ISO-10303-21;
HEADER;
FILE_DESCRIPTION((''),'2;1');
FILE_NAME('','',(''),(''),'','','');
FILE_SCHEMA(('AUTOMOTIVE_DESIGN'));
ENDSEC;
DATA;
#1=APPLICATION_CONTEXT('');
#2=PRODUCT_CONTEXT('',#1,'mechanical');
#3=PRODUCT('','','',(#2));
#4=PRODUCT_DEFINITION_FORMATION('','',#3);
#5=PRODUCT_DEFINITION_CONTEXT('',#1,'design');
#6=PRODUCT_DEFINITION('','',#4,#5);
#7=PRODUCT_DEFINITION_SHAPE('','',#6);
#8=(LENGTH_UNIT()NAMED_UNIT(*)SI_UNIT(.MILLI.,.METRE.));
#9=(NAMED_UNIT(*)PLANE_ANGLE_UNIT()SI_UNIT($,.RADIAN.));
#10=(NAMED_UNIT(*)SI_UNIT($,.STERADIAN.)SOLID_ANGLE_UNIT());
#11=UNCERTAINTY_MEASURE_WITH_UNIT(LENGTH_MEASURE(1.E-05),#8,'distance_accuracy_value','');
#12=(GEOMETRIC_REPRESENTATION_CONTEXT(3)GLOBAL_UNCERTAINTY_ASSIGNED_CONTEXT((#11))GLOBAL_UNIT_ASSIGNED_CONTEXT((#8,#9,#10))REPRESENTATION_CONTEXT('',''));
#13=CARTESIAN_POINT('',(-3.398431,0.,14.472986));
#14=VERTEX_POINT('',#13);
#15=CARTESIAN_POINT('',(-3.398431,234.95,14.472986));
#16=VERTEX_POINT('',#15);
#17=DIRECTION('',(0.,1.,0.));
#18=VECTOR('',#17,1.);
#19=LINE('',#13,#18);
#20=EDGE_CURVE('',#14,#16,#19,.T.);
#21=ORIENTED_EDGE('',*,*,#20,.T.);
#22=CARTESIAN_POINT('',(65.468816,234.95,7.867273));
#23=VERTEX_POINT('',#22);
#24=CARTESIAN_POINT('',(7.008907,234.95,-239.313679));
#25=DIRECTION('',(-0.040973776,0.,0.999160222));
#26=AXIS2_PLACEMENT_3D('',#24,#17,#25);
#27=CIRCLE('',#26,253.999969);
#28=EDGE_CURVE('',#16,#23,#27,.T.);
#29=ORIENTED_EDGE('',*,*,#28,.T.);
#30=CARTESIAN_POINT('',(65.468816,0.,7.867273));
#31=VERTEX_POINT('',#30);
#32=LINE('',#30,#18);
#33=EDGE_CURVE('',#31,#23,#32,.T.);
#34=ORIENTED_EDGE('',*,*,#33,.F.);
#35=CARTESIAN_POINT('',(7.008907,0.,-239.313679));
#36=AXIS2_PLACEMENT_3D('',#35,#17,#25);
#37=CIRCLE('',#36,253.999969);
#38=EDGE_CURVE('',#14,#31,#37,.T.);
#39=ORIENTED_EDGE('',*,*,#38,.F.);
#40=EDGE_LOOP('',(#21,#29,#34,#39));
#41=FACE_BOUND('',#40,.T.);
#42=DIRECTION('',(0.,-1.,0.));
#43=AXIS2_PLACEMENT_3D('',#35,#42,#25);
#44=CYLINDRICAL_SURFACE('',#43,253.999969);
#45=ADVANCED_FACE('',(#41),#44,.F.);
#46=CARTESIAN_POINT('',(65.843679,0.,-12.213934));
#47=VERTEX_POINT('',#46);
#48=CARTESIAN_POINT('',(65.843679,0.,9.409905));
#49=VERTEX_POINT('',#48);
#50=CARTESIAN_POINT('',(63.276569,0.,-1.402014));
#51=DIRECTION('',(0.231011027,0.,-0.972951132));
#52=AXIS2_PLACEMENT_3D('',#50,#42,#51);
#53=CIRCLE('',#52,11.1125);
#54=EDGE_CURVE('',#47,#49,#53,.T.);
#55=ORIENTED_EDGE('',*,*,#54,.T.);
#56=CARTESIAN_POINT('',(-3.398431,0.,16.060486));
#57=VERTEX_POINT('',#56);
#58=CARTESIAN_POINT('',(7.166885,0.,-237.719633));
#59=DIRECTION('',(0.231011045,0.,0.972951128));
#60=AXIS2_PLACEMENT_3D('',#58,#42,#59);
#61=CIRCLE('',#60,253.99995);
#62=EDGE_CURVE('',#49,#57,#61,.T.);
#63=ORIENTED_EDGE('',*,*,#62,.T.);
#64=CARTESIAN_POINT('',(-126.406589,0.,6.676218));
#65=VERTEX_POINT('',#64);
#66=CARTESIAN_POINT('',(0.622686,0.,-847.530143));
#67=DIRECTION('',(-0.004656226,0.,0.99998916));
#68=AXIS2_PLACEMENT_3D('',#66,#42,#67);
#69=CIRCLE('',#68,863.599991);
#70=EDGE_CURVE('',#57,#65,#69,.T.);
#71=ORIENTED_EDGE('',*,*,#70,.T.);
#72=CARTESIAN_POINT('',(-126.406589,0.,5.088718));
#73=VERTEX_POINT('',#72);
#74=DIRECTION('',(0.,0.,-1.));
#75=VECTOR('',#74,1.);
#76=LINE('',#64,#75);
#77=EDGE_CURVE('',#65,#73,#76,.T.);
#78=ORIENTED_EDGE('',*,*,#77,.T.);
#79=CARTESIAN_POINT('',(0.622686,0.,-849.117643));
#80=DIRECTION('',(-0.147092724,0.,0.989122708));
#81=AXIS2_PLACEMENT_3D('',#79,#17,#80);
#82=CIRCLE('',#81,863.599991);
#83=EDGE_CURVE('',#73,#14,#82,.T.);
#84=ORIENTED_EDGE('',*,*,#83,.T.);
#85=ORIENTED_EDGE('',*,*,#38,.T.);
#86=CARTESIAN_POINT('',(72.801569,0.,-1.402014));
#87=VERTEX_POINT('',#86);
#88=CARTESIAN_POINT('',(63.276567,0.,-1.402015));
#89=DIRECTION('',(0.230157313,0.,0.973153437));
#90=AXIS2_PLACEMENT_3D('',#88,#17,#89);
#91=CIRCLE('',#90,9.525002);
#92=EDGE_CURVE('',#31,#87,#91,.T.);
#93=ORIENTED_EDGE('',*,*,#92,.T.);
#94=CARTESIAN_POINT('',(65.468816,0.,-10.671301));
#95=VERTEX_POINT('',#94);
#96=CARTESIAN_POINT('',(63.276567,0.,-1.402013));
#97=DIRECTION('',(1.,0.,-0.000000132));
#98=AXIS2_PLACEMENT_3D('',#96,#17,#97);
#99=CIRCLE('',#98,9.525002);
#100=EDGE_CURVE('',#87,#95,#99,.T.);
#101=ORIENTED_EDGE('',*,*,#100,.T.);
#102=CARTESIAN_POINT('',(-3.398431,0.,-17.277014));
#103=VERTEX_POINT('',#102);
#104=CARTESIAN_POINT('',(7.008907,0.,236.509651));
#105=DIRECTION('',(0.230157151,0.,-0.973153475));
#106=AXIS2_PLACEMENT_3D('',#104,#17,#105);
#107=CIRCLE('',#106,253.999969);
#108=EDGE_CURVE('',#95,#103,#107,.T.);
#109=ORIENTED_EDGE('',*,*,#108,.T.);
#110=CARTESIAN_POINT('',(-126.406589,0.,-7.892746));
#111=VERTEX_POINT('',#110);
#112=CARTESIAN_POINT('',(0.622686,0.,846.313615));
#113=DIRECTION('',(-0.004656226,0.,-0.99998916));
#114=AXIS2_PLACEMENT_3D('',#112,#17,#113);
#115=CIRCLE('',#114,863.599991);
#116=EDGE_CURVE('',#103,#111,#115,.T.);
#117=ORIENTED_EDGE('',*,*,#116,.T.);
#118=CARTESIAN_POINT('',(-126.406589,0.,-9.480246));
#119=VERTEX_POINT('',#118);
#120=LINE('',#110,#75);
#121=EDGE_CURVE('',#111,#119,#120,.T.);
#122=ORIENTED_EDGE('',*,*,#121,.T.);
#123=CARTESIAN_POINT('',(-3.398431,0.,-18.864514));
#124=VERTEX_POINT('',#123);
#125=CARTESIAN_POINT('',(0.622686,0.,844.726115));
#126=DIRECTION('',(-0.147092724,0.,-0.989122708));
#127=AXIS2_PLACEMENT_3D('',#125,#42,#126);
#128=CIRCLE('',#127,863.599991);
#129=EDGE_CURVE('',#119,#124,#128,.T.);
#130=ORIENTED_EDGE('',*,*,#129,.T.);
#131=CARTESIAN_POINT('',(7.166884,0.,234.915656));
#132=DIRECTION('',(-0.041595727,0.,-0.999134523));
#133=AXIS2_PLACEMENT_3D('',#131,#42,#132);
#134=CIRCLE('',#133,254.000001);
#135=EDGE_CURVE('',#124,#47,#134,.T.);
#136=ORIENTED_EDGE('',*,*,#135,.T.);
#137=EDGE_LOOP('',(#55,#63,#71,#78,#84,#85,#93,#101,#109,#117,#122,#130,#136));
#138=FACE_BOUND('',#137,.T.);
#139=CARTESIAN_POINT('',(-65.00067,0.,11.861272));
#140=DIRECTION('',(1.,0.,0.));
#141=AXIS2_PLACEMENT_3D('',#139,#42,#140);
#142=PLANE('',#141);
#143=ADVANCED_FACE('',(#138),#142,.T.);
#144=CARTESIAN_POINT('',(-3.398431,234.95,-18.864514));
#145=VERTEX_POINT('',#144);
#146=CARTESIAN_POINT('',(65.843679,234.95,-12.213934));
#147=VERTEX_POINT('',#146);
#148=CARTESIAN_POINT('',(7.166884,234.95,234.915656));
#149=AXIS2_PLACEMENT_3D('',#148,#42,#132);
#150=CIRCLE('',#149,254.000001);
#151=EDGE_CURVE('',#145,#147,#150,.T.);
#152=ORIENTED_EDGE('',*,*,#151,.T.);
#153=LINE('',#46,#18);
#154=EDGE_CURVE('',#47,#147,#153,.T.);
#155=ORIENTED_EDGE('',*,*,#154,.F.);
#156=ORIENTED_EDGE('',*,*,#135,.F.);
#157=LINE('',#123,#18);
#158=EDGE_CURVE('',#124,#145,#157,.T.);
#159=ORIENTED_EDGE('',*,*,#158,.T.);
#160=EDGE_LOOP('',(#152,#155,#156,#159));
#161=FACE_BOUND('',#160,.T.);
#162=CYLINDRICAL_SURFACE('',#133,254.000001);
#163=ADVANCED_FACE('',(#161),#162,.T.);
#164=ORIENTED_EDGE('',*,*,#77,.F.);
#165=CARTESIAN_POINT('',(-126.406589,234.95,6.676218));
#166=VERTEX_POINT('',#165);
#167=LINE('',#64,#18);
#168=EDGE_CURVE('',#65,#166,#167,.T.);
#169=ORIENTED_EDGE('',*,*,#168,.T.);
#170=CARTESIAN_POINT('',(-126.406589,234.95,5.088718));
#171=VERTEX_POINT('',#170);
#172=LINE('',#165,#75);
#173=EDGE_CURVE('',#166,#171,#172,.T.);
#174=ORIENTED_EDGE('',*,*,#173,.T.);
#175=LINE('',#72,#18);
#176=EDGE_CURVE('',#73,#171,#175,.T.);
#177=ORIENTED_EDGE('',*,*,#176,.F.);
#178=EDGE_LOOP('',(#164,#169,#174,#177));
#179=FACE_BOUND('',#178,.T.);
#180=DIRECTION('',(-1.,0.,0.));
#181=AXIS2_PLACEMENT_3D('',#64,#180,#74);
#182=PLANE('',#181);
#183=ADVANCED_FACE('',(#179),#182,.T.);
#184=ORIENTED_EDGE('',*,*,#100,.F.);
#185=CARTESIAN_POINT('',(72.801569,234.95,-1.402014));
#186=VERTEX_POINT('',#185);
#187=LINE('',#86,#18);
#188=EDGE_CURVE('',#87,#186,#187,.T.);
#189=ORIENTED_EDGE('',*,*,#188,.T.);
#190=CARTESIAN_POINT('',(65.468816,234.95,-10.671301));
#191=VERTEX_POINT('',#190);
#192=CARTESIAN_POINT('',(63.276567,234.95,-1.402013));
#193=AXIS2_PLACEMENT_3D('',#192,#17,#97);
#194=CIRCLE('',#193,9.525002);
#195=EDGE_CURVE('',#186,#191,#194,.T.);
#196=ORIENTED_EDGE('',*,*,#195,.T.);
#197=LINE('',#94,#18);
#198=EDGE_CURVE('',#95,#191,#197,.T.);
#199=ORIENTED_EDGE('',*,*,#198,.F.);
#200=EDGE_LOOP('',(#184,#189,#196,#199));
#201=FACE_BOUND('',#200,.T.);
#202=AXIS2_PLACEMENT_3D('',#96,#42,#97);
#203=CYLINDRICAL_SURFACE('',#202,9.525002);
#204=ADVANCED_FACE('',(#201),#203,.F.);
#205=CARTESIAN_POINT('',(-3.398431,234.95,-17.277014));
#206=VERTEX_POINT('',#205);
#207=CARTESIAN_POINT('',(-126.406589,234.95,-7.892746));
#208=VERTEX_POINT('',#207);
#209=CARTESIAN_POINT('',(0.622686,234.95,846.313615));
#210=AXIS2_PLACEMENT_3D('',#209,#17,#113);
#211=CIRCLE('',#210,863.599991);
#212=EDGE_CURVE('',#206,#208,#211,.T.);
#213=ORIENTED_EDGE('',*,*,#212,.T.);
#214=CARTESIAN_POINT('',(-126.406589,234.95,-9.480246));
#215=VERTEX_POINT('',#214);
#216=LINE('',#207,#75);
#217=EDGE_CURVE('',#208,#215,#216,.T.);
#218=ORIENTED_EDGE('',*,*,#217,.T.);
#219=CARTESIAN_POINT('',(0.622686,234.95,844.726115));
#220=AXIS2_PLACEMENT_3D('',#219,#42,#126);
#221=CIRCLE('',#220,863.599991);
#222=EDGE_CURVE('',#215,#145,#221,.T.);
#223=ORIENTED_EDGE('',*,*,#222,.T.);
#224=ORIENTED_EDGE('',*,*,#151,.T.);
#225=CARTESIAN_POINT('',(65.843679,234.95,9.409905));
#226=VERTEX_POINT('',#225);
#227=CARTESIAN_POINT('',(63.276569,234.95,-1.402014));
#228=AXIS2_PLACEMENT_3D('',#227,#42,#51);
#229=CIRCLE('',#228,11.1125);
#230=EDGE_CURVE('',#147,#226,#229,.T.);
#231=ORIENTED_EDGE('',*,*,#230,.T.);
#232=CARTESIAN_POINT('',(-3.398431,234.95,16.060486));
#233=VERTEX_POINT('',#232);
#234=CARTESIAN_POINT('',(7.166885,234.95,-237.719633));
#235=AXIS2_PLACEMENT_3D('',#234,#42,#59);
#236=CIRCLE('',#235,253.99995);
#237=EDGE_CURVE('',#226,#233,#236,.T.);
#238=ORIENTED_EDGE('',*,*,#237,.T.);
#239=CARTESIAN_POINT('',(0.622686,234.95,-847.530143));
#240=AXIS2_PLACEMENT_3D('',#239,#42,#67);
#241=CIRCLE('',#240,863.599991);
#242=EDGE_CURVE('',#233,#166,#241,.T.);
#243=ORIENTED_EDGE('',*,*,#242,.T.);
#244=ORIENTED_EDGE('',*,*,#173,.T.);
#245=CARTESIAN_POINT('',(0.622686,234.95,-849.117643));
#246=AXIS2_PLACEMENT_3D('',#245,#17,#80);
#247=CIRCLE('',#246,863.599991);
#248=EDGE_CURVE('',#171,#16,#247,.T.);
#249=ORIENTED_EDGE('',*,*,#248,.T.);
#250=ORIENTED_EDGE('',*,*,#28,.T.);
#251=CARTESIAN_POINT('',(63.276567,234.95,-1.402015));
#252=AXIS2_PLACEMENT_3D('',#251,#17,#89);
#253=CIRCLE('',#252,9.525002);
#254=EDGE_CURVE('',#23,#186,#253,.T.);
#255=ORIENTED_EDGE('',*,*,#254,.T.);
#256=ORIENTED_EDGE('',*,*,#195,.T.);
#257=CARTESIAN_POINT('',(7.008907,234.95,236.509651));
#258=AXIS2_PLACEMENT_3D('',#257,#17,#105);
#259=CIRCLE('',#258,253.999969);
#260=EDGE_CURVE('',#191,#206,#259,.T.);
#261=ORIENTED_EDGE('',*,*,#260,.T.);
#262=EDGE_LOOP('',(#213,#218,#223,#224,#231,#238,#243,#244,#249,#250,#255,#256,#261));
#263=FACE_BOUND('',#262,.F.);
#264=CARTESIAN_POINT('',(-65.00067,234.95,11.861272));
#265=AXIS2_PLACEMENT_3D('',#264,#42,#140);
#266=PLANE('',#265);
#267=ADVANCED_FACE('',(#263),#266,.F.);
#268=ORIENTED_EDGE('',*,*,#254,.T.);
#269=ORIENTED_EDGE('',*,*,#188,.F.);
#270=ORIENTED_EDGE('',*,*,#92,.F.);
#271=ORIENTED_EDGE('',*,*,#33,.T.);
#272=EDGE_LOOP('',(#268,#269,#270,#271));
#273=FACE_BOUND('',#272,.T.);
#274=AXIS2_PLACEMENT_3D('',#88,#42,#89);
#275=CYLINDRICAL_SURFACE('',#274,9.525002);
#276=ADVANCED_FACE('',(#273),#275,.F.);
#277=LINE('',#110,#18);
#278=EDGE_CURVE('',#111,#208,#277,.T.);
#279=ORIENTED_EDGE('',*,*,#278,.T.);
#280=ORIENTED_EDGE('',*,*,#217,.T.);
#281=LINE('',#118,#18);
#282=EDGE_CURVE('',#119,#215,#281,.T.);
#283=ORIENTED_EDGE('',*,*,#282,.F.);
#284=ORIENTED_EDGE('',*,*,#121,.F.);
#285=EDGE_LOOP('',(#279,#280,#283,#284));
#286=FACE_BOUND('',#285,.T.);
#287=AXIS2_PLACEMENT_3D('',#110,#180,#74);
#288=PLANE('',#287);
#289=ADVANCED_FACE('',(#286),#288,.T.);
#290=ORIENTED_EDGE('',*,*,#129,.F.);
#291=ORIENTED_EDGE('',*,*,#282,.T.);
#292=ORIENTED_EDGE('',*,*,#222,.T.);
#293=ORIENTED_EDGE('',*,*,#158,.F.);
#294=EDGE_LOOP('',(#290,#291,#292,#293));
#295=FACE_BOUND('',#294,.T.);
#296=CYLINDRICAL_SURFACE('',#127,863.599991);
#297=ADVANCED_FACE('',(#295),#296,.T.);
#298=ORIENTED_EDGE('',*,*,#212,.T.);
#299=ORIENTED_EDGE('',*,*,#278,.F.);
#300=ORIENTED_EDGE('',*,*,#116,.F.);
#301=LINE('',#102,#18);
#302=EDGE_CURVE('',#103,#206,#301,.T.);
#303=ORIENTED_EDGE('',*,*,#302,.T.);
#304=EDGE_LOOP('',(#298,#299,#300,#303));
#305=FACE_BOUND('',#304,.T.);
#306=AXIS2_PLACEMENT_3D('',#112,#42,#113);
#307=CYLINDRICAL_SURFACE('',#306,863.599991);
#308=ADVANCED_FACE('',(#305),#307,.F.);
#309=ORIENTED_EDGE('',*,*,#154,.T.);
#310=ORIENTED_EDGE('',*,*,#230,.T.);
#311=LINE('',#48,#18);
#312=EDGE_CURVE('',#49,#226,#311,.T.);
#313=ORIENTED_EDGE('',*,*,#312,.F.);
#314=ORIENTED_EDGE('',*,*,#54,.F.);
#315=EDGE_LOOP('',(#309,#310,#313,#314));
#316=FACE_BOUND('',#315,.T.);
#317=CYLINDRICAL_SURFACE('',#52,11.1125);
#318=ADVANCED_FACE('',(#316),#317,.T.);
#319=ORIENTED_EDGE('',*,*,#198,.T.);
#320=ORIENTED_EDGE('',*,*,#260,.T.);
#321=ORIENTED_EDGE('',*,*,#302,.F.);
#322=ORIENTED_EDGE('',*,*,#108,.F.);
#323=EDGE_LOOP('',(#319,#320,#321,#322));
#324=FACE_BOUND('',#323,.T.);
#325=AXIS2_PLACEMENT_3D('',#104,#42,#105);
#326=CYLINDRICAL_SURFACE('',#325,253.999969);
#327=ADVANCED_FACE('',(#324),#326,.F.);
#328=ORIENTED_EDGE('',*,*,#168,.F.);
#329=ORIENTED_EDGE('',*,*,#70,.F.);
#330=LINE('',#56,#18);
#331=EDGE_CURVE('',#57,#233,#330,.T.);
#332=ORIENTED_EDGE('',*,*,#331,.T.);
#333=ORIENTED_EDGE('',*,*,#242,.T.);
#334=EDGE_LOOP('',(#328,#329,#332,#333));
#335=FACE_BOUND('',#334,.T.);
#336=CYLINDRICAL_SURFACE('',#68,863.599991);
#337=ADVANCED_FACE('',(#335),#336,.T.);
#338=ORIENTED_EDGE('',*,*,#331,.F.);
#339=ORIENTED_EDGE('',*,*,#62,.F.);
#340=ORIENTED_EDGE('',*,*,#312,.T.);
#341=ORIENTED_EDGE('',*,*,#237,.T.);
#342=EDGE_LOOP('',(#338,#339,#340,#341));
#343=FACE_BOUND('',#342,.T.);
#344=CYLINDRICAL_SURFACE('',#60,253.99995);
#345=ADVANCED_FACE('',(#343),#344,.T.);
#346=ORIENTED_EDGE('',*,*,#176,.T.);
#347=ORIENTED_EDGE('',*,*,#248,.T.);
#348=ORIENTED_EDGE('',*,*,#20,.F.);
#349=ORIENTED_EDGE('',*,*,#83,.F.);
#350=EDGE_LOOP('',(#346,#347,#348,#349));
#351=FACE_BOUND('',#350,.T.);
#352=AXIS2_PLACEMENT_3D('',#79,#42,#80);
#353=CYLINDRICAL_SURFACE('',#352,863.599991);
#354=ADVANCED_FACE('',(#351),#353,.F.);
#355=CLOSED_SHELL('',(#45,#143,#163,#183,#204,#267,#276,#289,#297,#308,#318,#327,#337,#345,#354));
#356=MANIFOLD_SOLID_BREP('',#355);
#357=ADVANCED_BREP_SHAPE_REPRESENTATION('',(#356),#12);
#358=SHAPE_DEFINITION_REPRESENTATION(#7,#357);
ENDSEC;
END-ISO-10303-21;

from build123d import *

# Parameters (mm, degrees)
F1_DEPTH = 234.95


with BuildPart() as f1:
    # F0 (on Front) → F1 (new body)
    with BuildSketch(Plane.XZ):
        with BuildLine():
            Line((-126.406589, 6.676218), (-126.406589, 5.088718))
            ThreePointArc((-126.406589, 5.088718), (-65.070293, 11.980131), (-3.398431, 14.472986))
            Line((-3.398431, 14.472986), (-3.398431, 16.060486))
            ThreePointArc((-3.398431, 16.060486), (-65.070293, 13.567631), (-126.406589, 6.676218))
        make_face()
        with BuildLine():
            Line((-3.398431, -18.864514), (-3.398431, -17.277014))
            ThreePointArc((-3.398431, -17.277014), (-65.070293, -14.784159), (-126.406589, -7.892746))
            Line((-126.406589, -7.892746), (-126.406589, -9.480246))
            ThreePointArc((-126.406589, -9.480246), (-65.070293, -16.371659), (-3.398431, -18.864514))
        make_face()
        with BuildLine():
            Line((-3.398431, 16.060486), (-3.398431, 14.472986))
            ThreePointArc((-3.398431, 14.472986), (31.261149, 13.525821), (65.468816, 7.867273))
            ThreePointArc((65.468816, 7.867273), (70.746735, 4.50749), (72.801569, -1.402014))
            ThreePointArc((72.801569, -1.402014), (70.746735, -7.311518), (65.468816, -10.671301))
            ThreePointArc((65.468816, -10.671301), (31.261149, -16.329849), (-3.398431, -17.277014))
            Line((-3.398431, -17.277014), (-3.398431, -18.864514))
            ThreePointArc((-3.398431, -18.864514), (31.451368, -17.920782), (65.843679, -12.213934))
            ThreePointArc((65.843679, -12.213934), (74.389069, -1.402014), (65.843679, 9.409905))
            ThreePointArc((65.843679, 9.409905), (31.451368, 15.116754), (-3.398431, 16.060486))
        make_face()
    extrude(amount=-F1_DEPTH)


solid = f1.part
